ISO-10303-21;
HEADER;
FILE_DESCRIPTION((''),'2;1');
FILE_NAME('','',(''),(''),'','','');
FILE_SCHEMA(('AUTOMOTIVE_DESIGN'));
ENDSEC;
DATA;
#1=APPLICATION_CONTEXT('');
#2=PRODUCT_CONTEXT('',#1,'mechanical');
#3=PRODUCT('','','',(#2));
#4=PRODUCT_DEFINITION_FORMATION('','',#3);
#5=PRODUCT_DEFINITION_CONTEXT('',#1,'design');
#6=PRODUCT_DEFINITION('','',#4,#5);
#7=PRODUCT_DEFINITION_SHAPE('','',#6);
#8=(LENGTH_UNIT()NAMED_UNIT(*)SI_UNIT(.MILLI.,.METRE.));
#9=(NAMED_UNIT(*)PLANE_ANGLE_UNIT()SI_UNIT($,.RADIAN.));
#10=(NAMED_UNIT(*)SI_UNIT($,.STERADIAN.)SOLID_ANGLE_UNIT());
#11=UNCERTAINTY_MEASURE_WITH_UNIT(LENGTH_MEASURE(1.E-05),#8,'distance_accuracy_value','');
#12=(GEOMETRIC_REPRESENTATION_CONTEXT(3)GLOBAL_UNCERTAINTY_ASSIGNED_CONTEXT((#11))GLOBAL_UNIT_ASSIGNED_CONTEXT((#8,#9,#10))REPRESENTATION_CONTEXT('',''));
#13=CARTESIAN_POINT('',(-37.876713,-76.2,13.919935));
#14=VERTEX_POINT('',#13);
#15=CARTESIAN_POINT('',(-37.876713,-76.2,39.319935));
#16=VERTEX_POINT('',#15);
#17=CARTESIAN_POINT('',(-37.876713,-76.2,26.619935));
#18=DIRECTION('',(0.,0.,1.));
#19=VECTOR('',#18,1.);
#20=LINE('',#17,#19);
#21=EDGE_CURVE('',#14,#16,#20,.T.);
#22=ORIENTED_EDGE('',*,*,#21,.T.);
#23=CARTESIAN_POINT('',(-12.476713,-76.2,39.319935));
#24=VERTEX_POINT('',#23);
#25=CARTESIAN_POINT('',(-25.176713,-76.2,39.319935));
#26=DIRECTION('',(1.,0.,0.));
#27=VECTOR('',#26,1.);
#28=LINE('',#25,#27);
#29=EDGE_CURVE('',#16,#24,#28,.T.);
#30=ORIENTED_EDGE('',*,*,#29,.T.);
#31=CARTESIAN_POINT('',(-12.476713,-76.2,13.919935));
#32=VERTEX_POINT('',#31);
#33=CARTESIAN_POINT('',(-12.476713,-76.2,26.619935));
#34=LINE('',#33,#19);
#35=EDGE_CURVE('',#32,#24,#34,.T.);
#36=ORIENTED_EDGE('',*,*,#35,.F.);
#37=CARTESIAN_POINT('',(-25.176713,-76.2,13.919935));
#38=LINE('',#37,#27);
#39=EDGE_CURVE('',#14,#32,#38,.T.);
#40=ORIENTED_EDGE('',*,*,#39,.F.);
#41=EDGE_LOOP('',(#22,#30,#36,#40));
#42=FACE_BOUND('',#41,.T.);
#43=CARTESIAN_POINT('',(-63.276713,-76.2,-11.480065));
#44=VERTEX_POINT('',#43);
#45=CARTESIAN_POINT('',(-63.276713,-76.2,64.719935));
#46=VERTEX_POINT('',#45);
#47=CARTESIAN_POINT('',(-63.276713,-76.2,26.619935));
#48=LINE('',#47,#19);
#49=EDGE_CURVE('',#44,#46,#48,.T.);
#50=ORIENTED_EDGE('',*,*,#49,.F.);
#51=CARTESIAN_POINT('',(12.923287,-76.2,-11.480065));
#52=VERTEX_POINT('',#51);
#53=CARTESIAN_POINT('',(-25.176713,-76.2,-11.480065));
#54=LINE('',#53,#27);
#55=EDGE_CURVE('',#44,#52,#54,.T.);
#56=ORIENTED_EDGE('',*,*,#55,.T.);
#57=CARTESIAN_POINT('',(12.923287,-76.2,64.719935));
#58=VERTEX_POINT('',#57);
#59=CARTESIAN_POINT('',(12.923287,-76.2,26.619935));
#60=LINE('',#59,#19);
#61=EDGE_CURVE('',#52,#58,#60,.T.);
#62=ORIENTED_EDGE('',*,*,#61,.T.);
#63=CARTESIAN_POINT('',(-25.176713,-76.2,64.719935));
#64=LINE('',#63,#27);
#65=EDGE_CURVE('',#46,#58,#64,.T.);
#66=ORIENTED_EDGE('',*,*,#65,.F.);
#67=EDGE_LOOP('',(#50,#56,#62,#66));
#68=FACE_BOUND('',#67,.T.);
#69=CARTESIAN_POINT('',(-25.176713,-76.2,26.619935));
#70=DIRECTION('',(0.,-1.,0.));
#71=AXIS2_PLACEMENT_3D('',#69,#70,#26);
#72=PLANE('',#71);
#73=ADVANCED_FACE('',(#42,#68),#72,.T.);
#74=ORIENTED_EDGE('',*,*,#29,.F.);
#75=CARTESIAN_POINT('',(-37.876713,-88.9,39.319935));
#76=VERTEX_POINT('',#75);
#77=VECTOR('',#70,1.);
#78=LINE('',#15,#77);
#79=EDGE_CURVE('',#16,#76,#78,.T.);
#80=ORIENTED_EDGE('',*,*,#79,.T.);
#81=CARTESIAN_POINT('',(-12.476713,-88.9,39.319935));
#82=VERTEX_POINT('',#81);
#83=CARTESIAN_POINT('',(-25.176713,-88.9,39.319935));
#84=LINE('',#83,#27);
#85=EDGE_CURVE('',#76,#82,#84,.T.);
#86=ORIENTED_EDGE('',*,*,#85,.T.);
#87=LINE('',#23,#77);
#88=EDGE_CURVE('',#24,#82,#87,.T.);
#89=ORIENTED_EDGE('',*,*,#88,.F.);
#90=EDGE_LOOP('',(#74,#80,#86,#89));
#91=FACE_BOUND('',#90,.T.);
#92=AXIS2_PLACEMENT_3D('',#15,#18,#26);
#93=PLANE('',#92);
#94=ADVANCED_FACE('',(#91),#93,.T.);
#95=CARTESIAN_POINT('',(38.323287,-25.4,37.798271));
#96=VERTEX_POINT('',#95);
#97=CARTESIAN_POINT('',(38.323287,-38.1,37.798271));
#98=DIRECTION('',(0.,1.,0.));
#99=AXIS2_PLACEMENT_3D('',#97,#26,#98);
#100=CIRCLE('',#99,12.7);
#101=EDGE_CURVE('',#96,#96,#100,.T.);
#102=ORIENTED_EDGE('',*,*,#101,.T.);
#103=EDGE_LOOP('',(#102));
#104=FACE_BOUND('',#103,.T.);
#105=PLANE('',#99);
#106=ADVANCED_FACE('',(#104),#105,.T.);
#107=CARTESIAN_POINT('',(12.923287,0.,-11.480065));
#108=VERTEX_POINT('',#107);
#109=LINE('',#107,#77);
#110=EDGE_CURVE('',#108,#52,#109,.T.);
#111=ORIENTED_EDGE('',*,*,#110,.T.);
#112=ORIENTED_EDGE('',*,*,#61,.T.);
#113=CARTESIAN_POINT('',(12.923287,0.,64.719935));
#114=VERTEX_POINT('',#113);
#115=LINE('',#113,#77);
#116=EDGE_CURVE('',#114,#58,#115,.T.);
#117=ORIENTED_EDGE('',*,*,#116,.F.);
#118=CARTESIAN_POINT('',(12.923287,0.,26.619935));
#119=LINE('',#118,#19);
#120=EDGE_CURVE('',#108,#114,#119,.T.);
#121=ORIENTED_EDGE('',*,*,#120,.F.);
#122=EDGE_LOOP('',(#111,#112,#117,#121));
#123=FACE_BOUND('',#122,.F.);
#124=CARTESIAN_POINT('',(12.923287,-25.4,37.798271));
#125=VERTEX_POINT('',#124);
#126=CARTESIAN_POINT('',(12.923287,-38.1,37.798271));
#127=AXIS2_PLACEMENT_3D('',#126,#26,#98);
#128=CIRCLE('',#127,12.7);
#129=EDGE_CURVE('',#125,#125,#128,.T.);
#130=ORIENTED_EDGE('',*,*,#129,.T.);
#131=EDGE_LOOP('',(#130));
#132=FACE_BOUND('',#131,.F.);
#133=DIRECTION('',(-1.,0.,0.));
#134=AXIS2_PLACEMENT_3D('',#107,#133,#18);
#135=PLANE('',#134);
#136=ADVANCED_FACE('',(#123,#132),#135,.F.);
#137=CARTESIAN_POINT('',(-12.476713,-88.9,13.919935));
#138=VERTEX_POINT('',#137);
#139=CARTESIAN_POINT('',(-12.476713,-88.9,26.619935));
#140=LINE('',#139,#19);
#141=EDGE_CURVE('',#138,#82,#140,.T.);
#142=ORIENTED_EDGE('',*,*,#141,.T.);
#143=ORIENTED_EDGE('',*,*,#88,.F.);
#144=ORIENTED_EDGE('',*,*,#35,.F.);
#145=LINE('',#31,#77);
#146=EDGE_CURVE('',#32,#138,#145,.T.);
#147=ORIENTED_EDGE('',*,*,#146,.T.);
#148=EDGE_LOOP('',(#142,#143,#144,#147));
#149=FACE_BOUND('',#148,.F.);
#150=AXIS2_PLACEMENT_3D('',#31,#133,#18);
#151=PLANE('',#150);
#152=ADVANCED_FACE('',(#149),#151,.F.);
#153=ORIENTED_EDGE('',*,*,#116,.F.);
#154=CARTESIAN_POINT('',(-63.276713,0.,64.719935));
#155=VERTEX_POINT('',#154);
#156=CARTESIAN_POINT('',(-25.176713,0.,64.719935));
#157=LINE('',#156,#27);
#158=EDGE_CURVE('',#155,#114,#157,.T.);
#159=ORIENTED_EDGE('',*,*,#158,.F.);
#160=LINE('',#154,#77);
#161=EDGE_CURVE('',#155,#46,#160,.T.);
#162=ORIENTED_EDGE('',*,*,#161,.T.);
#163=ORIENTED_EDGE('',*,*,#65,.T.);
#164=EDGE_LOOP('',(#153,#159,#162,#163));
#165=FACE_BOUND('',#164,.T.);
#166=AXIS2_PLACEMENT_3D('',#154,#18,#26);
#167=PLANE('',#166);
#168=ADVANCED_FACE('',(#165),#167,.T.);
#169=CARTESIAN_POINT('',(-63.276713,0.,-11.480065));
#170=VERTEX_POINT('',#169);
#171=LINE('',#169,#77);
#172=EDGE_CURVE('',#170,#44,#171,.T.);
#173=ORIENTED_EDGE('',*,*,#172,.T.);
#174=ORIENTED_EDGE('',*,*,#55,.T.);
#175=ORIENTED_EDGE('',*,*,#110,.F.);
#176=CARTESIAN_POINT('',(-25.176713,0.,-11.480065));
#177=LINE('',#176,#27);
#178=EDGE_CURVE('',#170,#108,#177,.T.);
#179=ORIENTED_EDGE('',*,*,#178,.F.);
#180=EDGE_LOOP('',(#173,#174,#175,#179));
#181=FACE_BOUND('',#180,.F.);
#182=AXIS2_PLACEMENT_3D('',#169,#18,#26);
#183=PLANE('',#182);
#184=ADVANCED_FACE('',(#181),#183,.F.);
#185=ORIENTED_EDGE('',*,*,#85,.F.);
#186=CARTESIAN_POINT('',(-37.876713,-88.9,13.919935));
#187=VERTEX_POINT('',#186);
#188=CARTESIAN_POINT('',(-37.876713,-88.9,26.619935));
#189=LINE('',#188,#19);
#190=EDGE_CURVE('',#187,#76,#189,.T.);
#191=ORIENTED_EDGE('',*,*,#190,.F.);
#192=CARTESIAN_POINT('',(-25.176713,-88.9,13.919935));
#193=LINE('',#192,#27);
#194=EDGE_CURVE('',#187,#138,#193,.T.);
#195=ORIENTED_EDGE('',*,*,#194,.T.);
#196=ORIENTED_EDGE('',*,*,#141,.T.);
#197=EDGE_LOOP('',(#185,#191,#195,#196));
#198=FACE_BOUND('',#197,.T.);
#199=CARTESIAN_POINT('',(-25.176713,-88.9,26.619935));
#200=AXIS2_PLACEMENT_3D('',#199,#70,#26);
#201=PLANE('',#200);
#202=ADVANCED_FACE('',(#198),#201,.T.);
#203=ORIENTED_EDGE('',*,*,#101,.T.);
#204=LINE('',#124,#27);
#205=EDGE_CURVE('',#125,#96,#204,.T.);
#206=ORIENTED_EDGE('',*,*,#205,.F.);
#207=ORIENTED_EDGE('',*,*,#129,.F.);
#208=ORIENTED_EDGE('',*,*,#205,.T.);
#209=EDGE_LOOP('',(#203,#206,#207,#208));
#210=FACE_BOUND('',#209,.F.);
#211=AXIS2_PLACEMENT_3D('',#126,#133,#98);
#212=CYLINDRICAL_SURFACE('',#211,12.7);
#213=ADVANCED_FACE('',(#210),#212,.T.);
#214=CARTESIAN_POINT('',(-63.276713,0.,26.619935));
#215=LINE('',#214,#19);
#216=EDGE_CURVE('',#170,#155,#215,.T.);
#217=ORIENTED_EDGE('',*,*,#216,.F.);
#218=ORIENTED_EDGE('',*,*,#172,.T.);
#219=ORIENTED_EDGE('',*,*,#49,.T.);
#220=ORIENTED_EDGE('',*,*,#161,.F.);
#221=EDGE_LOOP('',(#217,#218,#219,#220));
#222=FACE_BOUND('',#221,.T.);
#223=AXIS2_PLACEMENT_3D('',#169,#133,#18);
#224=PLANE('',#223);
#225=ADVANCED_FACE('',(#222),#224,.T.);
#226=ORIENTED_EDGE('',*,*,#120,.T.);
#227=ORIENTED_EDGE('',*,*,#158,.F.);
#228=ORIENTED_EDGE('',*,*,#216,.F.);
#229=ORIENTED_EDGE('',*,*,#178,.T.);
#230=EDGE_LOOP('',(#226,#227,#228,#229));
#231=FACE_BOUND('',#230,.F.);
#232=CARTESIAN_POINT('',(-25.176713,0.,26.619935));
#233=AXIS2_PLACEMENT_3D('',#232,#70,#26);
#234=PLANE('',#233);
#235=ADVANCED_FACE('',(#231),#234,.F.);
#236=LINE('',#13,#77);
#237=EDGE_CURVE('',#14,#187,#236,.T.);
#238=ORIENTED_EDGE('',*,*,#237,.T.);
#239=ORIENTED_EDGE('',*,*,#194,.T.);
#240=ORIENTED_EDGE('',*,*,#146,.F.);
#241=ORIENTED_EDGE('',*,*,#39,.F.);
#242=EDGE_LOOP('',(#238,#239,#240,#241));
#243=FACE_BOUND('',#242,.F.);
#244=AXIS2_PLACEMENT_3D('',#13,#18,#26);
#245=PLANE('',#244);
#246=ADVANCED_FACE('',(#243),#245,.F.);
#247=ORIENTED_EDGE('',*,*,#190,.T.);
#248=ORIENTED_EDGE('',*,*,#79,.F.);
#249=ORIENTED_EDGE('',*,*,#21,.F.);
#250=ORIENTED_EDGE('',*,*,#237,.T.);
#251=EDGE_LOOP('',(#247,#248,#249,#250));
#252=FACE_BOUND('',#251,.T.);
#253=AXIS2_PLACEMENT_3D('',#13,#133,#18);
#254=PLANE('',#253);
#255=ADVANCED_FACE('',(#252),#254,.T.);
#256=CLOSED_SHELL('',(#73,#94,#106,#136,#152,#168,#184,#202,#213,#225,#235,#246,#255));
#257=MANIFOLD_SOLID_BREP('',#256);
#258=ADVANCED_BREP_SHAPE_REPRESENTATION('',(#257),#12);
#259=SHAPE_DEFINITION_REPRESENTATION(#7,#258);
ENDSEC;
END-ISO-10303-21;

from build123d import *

# Parameters (mm, degrees)
F0_W     = 76.2
F0_H     = 76.2
F1_DEPTH = 76.2
F2_W     = 25.4
F2_H     = 25.4
F3_DEPTH = 12.7
F4_R     = 12.7
F5_DEPTH = 25.4
F6_DEPTH = 25.4


with BuildPart() as f1:
    # F0 (on Front) → F1 (new body)
    with BuildSketch(Plane.XZ):
        with Locations((-25.176713, 26.619935)):
            Rectangle(F0_W, F0_H)
    extrude(amount=F1_DEPTH)

    # F2 (on face) → F3 (join)
    with BuildSketch(Plane.XZ.offset(76.2)):
        with Locations((-25.176713, 26.619935)):
            Rectangle(F2_W, F2_H)
    extrude(amount=F3_DEPTH)

    # F4 (on face) → F5 (join)
    with BuildSketch(Plane.YZ.offset(12.923287)):
        with Locations((-38.1, 37.798271)):
            Circle(F4_R)
    extrude(amount=F5_DEPTH)

    # F4 (on face) → F6 (join)
    with BuildSketch(Plane.YZ.offset(12.923287)):
        with Locations((-38.1, 37.798271)):
            Circle(F4_R)
    extrude(amount=F6_DEPTH)


solid = f1.part
